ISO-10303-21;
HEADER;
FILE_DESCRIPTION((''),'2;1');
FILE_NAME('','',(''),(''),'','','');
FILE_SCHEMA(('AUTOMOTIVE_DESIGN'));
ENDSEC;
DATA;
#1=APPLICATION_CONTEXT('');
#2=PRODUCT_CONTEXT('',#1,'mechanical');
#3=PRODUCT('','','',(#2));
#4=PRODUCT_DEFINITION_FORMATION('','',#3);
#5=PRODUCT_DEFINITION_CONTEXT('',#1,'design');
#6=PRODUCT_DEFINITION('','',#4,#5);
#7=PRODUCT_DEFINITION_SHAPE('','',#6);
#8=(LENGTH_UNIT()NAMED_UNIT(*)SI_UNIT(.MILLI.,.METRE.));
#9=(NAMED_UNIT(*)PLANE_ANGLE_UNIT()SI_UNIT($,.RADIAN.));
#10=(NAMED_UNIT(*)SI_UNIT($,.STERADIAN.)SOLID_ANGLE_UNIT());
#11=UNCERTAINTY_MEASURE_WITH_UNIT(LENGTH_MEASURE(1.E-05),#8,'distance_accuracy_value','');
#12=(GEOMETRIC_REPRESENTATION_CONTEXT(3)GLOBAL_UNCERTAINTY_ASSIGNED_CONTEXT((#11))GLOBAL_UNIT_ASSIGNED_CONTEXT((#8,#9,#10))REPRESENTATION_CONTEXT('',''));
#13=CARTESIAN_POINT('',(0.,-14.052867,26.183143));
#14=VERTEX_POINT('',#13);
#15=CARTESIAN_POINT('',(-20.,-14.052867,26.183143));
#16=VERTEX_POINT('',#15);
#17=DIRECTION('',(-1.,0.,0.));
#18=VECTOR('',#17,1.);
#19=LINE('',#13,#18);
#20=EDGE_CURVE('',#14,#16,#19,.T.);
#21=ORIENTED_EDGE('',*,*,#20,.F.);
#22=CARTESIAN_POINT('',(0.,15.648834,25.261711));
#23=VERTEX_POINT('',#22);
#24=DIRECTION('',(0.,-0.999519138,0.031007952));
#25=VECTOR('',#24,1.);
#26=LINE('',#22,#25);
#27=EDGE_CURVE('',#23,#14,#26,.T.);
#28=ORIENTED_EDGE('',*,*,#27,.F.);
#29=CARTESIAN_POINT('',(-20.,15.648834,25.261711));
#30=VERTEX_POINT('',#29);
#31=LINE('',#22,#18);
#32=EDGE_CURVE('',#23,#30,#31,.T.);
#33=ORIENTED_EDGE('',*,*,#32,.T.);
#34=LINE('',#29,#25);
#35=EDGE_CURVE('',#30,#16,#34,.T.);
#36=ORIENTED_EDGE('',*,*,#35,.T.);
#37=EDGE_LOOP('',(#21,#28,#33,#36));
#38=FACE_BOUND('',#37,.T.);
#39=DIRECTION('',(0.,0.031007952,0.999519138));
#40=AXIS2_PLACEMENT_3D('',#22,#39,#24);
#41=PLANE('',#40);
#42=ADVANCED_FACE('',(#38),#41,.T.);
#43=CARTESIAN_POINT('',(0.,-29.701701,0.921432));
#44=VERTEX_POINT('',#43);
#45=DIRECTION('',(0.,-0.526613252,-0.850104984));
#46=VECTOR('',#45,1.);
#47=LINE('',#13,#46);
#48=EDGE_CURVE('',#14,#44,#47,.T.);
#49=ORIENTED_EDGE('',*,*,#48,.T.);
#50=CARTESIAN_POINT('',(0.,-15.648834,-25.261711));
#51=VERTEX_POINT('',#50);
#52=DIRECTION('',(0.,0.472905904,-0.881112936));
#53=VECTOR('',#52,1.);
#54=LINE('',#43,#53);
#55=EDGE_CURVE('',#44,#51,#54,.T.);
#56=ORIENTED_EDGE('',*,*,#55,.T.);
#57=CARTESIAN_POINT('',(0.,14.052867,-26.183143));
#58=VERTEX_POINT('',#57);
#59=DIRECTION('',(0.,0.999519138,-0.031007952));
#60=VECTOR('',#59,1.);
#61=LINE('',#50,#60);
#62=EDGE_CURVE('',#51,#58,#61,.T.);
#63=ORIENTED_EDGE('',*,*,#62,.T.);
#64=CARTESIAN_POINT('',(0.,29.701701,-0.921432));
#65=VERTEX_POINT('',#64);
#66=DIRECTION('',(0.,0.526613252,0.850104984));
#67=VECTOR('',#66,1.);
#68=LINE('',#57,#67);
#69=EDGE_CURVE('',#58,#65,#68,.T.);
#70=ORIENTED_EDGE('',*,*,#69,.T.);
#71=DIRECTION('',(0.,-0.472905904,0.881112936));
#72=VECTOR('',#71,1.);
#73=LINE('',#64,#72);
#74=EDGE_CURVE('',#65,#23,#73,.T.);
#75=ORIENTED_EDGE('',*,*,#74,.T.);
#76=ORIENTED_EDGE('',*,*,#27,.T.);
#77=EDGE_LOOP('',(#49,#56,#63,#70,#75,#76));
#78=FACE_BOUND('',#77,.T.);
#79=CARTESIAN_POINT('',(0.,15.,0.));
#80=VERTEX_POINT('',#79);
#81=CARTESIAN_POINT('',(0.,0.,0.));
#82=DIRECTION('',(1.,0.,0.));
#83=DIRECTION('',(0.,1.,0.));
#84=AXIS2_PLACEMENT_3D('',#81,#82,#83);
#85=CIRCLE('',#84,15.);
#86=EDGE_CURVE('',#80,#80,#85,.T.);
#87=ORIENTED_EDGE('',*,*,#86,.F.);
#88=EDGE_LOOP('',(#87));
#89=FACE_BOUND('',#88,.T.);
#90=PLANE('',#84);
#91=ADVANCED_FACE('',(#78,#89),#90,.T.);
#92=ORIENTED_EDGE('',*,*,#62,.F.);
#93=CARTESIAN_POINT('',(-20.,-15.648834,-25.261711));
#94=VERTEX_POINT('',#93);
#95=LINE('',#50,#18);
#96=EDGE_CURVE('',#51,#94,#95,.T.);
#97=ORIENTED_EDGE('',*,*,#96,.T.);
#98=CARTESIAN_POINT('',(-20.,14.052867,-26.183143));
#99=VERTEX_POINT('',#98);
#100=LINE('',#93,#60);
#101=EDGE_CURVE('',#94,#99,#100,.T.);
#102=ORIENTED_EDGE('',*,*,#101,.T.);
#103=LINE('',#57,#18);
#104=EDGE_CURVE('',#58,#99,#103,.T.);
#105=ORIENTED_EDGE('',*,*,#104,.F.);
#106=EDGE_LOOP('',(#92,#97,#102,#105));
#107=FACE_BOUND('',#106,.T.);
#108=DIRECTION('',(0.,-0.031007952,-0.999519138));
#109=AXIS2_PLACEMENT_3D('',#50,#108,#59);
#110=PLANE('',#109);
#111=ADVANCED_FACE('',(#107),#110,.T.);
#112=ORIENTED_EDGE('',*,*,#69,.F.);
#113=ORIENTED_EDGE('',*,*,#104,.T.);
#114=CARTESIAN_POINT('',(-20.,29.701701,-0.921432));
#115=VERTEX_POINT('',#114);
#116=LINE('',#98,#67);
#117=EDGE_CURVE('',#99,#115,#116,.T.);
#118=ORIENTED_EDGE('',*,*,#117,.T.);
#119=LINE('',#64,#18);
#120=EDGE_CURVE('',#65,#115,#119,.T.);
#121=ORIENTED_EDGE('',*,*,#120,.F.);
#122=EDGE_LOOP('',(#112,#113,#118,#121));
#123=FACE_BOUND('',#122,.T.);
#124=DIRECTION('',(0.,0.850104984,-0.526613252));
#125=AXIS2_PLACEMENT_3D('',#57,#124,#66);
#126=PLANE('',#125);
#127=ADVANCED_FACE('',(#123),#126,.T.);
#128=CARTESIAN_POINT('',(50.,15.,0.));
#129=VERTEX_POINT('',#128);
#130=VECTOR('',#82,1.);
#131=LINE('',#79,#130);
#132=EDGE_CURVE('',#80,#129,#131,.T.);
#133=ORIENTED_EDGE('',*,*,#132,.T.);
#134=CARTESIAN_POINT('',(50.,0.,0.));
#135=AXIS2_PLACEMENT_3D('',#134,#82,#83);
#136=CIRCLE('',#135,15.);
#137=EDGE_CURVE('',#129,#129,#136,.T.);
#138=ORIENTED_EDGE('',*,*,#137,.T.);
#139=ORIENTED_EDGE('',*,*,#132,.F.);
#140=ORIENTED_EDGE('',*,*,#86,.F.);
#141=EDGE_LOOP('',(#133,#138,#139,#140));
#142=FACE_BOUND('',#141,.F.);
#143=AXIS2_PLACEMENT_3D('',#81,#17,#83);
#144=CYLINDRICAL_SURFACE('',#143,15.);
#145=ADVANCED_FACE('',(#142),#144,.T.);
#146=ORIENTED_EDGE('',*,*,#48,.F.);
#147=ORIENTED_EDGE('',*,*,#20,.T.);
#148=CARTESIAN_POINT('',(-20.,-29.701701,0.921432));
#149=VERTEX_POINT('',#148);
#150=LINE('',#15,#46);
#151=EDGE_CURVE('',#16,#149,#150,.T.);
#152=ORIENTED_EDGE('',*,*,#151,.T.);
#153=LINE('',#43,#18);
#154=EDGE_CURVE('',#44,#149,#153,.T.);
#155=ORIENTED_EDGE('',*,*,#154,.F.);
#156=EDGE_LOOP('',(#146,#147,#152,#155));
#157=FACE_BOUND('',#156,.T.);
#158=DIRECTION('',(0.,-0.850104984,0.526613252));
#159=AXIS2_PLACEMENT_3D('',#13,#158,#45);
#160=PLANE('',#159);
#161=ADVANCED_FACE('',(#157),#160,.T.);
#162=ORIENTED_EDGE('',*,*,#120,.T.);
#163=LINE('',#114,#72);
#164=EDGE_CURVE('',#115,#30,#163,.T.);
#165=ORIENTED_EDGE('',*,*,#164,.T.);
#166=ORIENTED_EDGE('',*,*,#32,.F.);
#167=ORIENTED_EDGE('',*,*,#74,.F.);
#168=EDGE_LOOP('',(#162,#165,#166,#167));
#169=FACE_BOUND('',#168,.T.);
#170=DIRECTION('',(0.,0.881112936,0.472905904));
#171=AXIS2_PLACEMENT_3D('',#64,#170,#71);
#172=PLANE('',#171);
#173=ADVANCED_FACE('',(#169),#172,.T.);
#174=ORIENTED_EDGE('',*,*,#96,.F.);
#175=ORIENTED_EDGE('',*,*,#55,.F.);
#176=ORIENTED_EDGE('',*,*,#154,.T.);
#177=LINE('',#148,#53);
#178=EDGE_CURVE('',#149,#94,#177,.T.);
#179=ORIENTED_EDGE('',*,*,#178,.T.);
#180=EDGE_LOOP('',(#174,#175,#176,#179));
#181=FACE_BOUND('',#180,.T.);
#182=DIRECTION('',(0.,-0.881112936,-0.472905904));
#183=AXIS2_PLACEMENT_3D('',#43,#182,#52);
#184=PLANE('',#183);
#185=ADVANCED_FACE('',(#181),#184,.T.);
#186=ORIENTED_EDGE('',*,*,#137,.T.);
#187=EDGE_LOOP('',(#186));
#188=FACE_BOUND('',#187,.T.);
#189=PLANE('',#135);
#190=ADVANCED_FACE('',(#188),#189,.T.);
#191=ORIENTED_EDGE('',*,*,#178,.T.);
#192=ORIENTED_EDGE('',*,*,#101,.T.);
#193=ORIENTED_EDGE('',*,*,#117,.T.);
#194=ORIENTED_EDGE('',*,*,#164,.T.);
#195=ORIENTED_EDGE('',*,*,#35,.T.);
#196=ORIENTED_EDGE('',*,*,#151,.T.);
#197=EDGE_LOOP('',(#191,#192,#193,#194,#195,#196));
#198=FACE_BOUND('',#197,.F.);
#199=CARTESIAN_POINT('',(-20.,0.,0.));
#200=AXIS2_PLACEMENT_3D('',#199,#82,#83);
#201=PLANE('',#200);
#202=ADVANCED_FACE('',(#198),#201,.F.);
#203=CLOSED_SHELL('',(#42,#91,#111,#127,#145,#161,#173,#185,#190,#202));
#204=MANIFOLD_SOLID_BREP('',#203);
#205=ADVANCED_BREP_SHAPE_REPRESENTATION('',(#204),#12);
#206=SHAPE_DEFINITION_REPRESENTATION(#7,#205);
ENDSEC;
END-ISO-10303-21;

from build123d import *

# Parameters (mm, degrees)
F1_DEPTH = 20
F2_R     = 15
F3_DEPTH = 50


with BuildPart() as f1:
    # F0 (on Right) → F1 (new body)
    with BuildSketch(Plane.YZ):
        Polygon((-15.648834, -25.261711), (14.052867, -26.183143), (29.701701, -0.921432), (15.648834, 25.261711), (-14.052867, 26.183143), (-29.701701, 0.921432), align=None)
    extrude(amount=-F1_DEPTH)

    # F2 (on face) → F3 (join)
    with BuildSketch(Plane.YZ):
        Circle(F2_R)
    extrude(amount=F3_DEPTH)


solid = f1.part
